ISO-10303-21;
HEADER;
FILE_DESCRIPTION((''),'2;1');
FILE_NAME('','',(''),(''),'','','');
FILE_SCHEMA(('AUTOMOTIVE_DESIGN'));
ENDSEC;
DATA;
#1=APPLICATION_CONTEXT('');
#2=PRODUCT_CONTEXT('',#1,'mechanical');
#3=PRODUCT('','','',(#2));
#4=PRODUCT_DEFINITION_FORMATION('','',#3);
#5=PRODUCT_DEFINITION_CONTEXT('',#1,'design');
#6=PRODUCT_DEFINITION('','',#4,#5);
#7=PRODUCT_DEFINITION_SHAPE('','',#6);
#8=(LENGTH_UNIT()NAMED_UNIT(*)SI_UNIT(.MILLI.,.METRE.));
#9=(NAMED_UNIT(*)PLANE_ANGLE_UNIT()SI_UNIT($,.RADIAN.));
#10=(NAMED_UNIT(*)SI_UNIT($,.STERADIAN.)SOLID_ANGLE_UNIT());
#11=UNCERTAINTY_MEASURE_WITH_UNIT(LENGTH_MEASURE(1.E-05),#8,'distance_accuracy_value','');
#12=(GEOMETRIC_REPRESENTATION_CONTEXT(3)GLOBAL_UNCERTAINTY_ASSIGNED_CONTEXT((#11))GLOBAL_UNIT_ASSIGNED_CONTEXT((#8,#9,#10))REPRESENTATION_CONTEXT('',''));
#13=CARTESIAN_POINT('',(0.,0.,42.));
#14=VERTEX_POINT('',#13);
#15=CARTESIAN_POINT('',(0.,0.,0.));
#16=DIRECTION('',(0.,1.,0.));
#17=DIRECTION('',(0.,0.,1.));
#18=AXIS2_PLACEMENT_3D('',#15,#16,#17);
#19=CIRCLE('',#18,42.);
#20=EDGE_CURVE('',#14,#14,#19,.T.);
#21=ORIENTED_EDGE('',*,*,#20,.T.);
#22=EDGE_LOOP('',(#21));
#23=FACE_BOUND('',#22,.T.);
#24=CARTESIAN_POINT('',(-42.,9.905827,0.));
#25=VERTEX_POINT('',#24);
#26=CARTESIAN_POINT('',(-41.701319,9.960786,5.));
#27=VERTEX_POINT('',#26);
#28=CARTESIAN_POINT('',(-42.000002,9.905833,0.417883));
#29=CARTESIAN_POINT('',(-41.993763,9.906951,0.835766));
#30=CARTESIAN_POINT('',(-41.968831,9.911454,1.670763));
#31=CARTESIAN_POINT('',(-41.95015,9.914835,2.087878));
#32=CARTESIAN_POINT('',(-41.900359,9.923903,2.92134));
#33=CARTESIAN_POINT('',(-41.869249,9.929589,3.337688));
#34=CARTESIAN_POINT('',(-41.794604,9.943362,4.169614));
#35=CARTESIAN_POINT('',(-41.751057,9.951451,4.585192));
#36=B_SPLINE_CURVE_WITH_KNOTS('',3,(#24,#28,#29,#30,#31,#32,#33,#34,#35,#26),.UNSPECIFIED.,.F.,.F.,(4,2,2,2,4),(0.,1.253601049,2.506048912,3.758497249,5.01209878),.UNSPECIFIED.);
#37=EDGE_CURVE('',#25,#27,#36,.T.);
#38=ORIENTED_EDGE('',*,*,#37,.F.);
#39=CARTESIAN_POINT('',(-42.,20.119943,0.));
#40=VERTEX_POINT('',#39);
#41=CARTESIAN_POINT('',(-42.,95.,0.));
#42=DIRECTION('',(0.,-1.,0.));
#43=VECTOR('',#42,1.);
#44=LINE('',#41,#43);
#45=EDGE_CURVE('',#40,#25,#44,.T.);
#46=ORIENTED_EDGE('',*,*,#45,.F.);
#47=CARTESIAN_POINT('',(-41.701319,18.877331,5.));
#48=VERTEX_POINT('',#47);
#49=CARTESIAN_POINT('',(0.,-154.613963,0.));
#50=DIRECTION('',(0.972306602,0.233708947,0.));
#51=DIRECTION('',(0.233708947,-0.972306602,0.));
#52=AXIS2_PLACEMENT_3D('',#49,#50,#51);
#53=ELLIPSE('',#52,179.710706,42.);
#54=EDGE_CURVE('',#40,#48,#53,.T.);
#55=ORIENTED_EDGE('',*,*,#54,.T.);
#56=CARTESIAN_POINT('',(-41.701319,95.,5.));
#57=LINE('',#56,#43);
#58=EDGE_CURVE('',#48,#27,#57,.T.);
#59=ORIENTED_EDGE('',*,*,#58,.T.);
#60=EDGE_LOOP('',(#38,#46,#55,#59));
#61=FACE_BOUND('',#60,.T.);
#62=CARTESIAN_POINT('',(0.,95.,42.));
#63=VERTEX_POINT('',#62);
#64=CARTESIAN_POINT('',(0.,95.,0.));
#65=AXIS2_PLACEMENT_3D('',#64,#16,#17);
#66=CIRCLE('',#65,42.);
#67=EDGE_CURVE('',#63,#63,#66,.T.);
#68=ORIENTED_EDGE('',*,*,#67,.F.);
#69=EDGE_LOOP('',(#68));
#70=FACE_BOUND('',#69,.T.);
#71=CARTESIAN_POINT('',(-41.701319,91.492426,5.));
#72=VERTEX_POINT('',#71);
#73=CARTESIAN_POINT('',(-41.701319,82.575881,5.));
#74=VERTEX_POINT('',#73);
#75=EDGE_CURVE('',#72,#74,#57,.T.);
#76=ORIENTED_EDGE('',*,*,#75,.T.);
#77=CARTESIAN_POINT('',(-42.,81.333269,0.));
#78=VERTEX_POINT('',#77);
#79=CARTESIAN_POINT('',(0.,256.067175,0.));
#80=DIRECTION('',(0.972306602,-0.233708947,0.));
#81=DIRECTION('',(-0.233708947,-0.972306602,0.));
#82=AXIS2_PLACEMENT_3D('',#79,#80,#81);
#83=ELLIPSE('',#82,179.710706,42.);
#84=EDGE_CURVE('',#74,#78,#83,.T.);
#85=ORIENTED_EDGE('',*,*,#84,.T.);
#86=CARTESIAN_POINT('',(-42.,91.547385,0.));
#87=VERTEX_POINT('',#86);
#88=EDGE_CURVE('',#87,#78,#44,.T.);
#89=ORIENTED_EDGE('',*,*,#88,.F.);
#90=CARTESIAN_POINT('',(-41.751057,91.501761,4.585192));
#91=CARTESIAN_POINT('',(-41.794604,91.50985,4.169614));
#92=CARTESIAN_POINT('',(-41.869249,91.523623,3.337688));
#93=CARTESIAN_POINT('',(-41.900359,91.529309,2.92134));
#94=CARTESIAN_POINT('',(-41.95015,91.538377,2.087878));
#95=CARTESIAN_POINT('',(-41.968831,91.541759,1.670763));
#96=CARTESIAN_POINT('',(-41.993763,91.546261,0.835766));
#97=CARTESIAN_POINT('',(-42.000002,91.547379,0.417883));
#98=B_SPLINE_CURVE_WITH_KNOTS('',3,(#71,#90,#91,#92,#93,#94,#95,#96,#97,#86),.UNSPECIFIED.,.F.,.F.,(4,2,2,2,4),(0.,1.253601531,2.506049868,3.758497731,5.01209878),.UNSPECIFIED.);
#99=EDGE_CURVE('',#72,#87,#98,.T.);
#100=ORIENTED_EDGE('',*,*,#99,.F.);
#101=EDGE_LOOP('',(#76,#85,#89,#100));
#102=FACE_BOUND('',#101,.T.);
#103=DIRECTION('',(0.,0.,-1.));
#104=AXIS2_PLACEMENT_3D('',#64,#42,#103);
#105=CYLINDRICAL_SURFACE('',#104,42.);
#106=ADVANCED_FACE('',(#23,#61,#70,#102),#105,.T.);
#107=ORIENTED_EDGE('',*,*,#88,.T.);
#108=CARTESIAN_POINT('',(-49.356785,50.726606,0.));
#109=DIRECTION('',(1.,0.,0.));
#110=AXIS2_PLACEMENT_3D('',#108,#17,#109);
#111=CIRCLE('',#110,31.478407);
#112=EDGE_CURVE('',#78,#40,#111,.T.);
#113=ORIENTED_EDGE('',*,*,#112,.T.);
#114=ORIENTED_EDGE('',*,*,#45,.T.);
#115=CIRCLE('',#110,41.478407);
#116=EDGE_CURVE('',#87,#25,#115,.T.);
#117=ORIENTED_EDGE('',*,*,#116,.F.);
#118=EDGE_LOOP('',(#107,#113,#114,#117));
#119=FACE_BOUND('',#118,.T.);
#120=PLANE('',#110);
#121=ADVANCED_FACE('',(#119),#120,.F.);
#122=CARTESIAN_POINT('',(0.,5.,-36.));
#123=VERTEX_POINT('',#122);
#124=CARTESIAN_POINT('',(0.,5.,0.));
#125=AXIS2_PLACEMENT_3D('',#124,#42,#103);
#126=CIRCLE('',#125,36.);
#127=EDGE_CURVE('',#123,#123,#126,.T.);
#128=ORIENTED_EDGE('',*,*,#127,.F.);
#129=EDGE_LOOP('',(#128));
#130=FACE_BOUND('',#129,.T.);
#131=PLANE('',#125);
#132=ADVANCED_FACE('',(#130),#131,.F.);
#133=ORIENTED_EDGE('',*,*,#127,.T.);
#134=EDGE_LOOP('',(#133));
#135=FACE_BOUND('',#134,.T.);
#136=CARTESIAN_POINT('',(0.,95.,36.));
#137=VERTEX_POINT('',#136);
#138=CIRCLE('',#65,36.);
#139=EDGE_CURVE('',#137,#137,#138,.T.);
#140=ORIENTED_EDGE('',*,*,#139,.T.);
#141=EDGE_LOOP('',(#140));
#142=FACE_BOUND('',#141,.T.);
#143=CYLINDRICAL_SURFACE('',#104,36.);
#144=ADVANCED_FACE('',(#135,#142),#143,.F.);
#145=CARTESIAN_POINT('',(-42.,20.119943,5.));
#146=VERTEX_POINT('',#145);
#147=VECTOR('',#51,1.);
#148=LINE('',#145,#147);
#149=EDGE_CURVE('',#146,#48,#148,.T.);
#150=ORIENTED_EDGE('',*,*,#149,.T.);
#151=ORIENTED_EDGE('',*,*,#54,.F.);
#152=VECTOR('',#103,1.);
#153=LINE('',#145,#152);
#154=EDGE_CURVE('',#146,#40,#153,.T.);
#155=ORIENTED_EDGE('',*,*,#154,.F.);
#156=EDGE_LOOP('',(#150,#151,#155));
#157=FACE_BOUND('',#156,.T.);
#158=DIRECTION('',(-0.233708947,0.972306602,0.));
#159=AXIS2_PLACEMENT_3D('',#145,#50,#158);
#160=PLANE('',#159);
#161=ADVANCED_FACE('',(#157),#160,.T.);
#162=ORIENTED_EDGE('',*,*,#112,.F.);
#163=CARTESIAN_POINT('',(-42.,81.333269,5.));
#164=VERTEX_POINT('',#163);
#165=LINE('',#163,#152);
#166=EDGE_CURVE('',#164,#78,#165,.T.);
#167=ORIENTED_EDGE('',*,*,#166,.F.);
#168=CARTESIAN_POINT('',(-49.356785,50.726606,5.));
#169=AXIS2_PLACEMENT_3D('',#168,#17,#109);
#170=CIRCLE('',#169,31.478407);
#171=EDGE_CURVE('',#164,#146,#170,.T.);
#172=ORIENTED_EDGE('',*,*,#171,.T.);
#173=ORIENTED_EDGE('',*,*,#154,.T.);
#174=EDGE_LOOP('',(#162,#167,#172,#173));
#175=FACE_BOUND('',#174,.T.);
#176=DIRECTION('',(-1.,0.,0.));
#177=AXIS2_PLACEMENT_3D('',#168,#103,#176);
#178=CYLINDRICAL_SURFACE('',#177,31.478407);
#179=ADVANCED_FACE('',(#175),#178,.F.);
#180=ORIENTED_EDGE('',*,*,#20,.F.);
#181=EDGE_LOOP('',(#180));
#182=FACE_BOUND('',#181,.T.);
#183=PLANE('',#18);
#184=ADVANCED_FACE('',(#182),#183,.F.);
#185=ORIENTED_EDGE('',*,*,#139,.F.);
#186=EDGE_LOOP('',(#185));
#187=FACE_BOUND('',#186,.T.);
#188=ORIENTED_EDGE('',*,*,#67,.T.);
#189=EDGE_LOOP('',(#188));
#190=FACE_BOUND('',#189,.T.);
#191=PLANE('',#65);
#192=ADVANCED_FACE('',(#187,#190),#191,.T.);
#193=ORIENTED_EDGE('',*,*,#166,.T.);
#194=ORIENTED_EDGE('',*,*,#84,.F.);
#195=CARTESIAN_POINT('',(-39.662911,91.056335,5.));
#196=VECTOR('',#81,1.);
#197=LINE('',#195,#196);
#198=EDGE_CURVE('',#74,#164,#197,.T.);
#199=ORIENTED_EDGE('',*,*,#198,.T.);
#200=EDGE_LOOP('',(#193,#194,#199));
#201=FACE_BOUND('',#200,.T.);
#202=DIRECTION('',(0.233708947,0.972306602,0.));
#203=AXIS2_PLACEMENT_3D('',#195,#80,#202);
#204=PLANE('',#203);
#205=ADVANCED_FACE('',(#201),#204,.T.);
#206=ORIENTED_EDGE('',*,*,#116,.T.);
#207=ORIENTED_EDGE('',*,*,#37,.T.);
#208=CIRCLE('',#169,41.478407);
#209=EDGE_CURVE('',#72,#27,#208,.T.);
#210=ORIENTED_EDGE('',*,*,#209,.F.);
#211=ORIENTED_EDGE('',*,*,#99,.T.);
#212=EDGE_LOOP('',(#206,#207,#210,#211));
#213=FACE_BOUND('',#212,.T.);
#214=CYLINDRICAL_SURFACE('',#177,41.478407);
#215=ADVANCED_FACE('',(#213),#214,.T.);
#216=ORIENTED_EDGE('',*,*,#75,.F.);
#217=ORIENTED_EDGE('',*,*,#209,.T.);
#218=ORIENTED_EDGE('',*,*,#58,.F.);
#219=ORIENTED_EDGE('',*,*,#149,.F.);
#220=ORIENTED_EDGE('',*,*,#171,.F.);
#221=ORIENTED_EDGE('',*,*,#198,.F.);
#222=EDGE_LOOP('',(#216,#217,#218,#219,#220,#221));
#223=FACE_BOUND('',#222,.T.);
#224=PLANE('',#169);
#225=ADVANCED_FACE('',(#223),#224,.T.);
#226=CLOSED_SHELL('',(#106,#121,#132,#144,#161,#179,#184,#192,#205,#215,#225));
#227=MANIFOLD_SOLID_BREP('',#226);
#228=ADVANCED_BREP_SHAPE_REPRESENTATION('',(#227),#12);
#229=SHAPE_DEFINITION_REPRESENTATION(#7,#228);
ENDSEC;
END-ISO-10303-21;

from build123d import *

# Parameters (mm, degrees)
CROQUIS1_R              = 42
CROQUIS1_R_2            = 36
SALIENTE_EXTRUIR1_DEPTH = 95
CROQUIS2_R              = 42
SALIENTE_EXTRUIR2_DEPTH = 5
EXTRUIR_L_MINA1_DEPTH   = 5


with BuildPart() as part:
    # Croquis1 → Saliente-Extruir1 (new body)
    with BuildSketch(Plane(origin=(0, 0, 0), x_dir=(1, 0, 0), z_dir=(0, 1, 0))):
        Circle(CROQUIS1_R)
        Circle(CROQUIS1_R_2, mode=Mode.SUBTRACT)
    extrude(amount=SALIENTE_EXTRUIR1_DEPTH)

    # Croquis2 → Saliente-Extruir2 (add)
    with BuildSketch(Plane.XZ):
        Circle(CROQUIS2_R)
    extrude(amount=-SALIENTE_EXTRUIR2_DEPTH)

    # Croquis3 → Extruir-Lámina1 (add)
    with BuildSketch(Plane.XY):
        with BuildLine():
            ThreePointArc((-42, 81.333269167), (-80.835192592, 50.726606051), (-42, 20.119942936))
            Line((-42, 20.119942936), (-39.662910525, 10.396876918))
            ThreePointArc((-39.662910525, 10.396876918), (-90.835192592, 50.726606051), (-39.662910525, 91.056335185))
            Line((-39.662910525, 91.056335185), (-42, 81.333269167))
        make_face()
    extrude(amount=EXTRUIR_L_MINA1_DEPTH)


solid = part.part
